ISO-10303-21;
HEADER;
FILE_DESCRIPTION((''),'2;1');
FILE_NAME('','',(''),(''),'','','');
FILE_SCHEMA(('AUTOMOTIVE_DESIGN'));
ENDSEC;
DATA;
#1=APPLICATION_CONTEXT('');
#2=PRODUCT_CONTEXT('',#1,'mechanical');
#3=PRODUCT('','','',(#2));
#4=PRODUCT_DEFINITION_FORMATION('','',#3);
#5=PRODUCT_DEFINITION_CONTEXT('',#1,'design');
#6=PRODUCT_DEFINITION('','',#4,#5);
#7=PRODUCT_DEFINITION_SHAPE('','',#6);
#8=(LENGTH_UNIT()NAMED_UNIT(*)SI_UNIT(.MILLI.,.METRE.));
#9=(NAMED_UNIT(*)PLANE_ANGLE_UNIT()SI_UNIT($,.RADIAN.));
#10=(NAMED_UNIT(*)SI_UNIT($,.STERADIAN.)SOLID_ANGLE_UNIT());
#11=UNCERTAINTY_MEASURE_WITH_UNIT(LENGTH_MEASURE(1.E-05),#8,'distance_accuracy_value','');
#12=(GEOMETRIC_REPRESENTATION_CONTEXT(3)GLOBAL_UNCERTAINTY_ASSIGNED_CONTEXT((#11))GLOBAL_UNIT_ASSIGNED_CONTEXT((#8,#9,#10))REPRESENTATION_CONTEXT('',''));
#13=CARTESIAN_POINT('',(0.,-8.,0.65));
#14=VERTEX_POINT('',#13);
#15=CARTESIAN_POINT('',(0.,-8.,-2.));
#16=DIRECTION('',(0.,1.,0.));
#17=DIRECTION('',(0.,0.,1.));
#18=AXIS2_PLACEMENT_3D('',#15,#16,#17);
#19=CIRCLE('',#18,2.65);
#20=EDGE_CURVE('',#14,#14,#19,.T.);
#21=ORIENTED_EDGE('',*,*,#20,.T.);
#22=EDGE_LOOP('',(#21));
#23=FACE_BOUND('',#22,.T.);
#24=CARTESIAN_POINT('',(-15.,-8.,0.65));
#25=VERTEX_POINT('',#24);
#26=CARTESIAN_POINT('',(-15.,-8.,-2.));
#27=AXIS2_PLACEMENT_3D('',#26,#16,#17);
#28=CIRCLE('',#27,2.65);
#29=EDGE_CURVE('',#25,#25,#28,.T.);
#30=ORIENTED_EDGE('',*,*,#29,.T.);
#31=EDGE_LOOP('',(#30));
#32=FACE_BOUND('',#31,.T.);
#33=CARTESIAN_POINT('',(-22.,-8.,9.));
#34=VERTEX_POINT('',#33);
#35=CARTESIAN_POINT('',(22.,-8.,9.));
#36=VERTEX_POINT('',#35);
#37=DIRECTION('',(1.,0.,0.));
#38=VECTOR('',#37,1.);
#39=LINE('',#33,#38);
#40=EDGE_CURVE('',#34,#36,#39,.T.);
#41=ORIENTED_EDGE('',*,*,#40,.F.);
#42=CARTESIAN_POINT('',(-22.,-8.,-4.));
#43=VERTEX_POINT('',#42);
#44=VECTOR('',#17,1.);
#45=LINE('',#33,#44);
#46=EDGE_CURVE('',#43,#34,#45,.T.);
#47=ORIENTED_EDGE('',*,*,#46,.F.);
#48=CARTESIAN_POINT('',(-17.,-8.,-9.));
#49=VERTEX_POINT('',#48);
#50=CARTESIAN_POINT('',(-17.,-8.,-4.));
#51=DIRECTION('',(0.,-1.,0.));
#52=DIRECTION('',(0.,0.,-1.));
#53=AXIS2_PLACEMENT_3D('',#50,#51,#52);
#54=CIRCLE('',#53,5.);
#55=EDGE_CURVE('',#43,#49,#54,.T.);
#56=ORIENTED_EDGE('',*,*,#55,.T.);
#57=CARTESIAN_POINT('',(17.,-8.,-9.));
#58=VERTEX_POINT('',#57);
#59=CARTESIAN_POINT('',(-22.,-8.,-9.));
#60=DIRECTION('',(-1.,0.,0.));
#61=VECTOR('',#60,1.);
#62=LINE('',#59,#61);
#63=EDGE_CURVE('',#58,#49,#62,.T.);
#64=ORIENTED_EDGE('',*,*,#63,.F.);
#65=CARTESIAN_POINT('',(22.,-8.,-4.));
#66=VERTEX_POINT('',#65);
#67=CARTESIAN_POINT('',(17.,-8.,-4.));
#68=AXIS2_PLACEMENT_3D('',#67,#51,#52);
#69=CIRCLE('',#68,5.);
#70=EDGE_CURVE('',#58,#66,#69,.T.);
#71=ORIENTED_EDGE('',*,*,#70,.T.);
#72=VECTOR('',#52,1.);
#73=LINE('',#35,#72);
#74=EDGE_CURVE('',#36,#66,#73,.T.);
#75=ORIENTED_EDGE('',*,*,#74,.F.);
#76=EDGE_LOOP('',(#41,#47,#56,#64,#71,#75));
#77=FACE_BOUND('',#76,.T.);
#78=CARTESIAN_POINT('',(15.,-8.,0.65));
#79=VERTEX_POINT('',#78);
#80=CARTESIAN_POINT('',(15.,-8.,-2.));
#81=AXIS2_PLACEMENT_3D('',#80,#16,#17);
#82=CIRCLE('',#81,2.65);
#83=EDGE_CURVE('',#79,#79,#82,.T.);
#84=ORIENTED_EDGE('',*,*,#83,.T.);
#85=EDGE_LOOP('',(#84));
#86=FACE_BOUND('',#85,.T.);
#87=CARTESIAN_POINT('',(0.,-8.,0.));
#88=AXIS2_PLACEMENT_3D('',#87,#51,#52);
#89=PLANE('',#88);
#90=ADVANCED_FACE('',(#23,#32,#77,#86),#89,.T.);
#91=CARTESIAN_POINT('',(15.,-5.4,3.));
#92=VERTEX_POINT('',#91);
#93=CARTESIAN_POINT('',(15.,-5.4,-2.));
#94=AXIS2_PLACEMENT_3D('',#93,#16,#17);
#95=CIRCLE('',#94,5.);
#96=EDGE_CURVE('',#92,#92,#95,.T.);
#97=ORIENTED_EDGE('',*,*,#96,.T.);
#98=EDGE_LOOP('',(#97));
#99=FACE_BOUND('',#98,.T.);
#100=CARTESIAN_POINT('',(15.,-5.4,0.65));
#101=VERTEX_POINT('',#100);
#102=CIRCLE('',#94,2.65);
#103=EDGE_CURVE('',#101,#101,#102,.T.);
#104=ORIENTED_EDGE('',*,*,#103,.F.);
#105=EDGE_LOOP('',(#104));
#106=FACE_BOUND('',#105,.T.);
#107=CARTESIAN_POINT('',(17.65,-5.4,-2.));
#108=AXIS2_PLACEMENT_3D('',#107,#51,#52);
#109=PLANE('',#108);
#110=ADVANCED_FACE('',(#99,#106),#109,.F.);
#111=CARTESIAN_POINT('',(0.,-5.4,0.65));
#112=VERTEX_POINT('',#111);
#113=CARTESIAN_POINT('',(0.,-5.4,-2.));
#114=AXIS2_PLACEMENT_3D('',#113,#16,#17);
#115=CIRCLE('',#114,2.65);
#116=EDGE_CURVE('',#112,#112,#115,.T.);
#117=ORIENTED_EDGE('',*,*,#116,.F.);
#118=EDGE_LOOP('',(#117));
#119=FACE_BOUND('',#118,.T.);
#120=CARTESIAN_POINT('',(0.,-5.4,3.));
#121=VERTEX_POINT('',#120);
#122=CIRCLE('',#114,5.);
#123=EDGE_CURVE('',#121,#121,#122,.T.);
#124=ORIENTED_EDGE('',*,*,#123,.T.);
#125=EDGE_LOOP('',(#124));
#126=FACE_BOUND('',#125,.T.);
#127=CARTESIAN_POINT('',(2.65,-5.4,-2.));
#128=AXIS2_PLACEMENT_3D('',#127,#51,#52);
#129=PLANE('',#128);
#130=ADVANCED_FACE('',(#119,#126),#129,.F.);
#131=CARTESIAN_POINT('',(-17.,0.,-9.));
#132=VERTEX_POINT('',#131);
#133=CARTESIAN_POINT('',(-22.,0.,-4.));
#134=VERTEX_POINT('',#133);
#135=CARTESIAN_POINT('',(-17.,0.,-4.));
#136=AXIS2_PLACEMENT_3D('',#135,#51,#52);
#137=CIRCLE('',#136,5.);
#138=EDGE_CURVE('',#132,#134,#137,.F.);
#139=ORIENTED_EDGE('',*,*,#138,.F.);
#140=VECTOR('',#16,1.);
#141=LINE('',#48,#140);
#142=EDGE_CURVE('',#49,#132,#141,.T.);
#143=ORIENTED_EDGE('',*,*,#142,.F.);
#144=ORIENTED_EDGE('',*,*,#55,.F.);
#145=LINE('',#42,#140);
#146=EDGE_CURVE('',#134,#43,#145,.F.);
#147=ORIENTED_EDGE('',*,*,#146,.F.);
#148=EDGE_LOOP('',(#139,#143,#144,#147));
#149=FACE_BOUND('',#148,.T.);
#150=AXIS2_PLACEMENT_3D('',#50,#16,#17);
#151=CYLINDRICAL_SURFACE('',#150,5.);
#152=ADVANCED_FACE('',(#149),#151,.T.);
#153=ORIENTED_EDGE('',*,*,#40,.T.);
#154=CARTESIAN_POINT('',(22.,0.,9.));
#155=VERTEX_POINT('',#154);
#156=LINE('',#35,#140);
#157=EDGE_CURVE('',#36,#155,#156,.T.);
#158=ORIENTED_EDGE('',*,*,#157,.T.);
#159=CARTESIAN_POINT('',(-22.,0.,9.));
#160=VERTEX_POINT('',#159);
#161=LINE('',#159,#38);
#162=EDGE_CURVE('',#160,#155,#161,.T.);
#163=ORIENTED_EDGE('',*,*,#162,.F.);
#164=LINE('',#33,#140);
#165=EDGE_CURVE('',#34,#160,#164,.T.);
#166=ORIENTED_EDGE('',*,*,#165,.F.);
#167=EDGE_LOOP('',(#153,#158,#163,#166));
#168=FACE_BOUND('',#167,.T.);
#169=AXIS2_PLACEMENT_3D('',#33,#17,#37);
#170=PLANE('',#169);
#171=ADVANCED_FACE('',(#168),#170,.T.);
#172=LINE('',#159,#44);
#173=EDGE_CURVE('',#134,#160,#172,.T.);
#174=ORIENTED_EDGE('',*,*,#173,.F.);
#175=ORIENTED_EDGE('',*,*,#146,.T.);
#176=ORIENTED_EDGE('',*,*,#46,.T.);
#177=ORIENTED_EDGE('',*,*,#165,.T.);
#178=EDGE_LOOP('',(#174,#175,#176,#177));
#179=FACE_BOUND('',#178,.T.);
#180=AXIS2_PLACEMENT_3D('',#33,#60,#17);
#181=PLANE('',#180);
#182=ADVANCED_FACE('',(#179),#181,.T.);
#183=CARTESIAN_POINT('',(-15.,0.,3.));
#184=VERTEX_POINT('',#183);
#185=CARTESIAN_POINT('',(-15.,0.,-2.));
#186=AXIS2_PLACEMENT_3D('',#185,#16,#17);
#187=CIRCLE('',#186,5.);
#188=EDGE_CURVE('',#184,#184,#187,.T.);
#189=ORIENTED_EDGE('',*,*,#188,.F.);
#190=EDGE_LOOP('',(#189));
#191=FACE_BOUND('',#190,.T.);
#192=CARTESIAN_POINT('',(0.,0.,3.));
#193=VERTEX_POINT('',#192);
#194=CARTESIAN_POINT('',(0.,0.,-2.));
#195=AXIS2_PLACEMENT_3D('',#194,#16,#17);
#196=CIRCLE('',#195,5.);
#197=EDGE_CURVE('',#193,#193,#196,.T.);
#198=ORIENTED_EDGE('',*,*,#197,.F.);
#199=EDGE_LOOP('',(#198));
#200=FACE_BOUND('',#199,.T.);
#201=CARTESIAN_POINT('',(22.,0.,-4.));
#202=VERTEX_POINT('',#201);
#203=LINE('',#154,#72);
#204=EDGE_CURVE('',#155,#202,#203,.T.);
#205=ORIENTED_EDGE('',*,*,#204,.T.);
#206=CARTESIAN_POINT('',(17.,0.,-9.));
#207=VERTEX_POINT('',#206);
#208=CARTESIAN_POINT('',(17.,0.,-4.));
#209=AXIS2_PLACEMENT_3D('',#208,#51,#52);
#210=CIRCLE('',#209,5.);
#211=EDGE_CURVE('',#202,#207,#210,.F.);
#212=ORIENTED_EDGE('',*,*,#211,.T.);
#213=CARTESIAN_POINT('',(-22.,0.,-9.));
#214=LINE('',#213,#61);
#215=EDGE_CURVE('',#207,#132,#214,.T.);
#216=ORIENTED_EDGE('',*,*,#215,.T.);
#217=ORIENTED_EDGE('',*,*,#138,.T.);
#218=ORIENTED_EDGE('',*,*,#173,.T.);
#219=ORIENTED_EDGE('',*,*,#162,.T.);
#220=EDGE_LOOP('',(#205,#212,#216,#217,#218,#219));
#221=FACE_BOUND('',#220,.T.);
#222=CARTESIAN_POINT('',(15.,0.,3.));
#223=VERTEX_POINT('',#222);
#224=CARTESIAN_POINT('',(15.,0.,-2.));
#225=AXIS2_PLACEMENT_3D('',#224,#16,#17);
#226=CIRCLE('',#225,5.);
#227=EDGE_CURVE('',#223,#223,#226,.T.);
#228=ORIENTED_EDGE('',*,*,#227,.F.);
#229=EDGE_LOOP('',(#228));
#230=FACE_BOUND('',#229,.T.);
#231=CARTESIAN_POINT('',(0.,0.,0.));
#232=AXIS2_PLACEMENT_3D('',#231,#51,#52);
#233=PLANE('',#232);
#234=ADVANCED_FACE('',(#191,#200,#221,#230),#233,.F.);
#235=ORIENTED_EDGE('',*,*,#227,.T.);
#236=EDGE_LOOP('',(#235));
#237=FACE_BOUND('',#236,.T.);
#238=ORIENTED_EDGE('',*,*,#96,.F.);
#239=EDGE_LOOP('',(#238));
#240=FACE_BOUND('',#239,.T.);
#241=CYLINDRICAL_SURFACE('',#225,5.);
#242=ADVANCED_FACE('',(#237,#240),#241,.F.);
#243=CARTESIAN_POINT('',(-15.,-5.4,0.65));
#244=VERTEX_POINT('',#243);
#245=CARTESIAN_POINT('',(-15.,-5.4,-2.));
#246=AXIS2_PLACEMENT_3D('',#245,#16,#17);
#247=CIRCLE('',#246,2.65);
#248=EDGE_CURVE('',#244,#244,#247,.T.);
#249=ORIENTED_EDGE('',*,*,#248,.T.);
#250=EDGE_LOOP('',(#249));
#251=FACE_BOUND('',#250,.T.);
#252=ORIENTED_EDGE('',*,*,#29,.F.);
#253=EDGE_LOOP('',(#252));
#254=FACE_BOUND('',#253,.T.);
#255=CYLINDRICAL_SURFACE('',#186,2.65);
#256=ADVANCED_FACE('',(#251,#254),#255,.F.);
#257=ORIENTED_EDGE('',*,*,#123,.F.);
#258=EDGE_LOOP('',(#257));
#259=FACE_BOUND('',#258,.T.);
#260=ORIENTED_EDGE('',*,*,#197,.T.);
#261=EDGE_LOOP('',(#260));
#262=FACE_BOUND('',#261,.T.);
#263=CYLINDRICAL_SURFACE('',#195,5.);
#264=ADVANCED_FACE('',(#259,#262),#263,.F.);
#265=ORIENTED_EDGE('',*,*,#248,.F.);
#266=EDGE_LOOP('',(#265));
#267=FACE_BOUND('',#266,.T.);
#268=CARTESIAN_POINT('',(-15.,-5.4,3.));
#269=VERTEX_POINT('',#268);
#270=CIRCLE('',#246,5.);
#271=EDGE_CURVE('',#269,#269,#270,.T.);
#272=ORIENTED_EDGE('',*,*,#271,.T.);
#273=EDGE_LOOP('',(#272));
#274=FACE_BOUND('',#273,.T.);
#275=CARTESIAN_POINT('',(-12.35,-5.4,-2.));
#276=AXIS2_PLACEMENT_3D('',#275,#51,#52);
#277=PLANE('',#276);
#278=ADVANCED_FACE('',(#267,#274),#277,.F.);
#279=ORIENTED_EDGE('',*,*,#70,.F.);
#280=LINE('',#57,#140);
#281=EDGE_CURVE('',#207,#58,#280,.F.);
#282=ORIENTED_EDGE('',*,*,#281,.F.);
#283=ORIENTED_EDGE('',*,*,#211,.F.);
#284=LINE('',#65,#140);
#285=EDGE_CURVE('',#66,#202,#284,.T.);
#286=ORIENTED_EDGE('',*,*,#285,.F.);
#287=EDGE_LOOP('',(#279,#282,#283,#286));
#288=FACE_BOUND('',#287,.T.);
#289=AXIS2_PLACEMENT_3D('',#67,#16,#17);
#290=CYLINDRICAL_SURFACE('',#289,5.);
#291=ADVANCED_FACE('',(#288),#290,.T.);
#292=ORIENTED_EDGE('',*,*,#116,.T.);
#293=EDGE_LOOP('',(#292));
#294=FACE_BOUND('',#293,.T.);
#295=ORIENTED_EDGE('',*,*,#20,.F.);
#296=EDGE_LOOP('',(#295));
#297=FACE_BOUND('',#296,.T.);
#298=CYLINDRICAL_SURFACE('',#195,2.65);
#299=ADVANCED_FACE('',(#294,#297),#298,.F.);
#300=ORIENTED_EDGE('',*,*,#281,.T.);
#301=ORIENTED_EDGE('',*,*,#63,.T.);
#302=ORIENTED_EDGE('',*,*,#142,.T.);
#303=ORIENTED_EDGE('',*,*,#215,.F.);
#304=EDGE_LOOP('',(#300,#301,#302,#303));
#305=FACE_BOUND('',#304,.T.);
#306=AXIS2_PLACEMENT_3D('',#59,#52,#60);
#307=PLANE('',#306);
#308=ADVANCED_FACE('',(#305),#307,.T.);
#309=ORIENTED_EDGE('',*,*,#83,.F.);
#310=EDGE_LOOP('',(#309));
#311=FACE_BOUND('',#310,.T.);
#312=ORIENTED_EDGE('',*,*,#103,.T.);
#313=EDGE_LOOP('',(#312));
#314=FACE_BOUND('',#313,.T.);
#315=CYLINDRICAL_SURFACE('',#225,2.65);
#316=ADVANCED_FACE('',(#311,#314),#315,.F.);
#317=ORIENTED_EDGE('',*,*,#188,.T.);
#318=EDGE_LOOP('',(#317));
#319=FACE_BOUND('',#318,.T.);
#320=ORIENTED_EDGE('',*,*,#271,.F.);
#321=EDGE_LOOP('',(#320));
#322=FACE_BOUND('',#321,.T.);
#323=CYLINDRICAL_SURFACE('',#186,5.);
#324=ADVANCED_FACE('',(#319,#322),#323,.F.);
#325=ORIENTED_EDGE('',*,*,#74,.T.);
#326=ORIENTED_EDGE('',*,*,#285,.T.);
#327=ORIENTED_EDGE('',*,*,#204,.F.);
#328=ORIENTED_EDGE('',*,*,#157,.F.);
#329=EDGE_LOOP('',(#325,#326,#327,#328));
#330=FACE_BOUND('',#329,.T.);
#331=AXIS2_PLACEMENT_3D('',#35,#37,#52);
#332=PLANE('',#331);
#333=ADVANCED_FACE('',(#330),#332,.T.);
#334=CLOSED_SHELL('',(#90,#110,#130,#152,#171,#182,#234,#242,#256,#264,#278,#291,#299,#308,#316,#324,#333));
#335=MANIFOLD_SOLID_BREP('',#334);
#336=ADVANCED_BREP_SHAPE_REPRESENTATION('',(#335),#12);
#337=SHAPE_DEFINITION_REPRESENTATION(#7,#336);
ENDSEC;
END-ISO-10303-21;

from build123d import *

# Parameters (mm, degrees)
SKETCH1_W                                           = 44
SKETCH1_H                                           = 18
BOSS_EXTRUDE1_DEPTH                                 = 8
CBORE_FOR_M5_HEX_SOCKET_HEAD_CAP_SCREW1_D           = 5.3
CBORE_FOR_M5_HEX_SOCKET_HEAD_CAP_SCREW1_CBORE_D     = 10
CBORE_FOR_M5_HEX_SOCKET_HEAD_CAP_SCREW1_CBORE_DEPTH = 5.4
FILLET1_R                                           = 5


with BuildPart() as part:
    # Sketch1 → Boss-Extrude1 (new body)
    with BuildSketch(Plane(origin=(0, 0, 0), x_dir=(1, 0, 0), z_dir=(0, 1, 0))):
        Rectangle(SKETCH1_W, SKETCH1_H)
    extrude(amount=-BOSS_EXTRUDE1_DEPTH)

    # CBORE for M5 Hex Socket Head Cap Screw1 (through all)
    with Locations(Plane(origin=(0, 0, 0), x_dir=(1, 0, 0), z_dir=(0, 1, 0))):
        with Locations((-15, 2), (0, 2), (15, 2)):
            CounterBoreHole(CBORE_FOR_M5_HEX_SOCKET_HEAD_CAP_SCREW1_D / 2, CBORE_FOR_M5_HEX_SOCKET_HEAD_CAP_SCREW1_CBORE_D / 2, CBORE_FOR_M5_HEX_SOCKET_HEAD_CAP_SCREW1_CBORE_DEPTH)

    # Fillet1
    fillet1_edges = [part.edges().sort_by_distance(p)[0] for p in [
        (-22, -4, -9),
        (22, -4, -9),
    ]]
    fillet(fillet1_edges, radius=FILLET1_R)


solid = part.part
